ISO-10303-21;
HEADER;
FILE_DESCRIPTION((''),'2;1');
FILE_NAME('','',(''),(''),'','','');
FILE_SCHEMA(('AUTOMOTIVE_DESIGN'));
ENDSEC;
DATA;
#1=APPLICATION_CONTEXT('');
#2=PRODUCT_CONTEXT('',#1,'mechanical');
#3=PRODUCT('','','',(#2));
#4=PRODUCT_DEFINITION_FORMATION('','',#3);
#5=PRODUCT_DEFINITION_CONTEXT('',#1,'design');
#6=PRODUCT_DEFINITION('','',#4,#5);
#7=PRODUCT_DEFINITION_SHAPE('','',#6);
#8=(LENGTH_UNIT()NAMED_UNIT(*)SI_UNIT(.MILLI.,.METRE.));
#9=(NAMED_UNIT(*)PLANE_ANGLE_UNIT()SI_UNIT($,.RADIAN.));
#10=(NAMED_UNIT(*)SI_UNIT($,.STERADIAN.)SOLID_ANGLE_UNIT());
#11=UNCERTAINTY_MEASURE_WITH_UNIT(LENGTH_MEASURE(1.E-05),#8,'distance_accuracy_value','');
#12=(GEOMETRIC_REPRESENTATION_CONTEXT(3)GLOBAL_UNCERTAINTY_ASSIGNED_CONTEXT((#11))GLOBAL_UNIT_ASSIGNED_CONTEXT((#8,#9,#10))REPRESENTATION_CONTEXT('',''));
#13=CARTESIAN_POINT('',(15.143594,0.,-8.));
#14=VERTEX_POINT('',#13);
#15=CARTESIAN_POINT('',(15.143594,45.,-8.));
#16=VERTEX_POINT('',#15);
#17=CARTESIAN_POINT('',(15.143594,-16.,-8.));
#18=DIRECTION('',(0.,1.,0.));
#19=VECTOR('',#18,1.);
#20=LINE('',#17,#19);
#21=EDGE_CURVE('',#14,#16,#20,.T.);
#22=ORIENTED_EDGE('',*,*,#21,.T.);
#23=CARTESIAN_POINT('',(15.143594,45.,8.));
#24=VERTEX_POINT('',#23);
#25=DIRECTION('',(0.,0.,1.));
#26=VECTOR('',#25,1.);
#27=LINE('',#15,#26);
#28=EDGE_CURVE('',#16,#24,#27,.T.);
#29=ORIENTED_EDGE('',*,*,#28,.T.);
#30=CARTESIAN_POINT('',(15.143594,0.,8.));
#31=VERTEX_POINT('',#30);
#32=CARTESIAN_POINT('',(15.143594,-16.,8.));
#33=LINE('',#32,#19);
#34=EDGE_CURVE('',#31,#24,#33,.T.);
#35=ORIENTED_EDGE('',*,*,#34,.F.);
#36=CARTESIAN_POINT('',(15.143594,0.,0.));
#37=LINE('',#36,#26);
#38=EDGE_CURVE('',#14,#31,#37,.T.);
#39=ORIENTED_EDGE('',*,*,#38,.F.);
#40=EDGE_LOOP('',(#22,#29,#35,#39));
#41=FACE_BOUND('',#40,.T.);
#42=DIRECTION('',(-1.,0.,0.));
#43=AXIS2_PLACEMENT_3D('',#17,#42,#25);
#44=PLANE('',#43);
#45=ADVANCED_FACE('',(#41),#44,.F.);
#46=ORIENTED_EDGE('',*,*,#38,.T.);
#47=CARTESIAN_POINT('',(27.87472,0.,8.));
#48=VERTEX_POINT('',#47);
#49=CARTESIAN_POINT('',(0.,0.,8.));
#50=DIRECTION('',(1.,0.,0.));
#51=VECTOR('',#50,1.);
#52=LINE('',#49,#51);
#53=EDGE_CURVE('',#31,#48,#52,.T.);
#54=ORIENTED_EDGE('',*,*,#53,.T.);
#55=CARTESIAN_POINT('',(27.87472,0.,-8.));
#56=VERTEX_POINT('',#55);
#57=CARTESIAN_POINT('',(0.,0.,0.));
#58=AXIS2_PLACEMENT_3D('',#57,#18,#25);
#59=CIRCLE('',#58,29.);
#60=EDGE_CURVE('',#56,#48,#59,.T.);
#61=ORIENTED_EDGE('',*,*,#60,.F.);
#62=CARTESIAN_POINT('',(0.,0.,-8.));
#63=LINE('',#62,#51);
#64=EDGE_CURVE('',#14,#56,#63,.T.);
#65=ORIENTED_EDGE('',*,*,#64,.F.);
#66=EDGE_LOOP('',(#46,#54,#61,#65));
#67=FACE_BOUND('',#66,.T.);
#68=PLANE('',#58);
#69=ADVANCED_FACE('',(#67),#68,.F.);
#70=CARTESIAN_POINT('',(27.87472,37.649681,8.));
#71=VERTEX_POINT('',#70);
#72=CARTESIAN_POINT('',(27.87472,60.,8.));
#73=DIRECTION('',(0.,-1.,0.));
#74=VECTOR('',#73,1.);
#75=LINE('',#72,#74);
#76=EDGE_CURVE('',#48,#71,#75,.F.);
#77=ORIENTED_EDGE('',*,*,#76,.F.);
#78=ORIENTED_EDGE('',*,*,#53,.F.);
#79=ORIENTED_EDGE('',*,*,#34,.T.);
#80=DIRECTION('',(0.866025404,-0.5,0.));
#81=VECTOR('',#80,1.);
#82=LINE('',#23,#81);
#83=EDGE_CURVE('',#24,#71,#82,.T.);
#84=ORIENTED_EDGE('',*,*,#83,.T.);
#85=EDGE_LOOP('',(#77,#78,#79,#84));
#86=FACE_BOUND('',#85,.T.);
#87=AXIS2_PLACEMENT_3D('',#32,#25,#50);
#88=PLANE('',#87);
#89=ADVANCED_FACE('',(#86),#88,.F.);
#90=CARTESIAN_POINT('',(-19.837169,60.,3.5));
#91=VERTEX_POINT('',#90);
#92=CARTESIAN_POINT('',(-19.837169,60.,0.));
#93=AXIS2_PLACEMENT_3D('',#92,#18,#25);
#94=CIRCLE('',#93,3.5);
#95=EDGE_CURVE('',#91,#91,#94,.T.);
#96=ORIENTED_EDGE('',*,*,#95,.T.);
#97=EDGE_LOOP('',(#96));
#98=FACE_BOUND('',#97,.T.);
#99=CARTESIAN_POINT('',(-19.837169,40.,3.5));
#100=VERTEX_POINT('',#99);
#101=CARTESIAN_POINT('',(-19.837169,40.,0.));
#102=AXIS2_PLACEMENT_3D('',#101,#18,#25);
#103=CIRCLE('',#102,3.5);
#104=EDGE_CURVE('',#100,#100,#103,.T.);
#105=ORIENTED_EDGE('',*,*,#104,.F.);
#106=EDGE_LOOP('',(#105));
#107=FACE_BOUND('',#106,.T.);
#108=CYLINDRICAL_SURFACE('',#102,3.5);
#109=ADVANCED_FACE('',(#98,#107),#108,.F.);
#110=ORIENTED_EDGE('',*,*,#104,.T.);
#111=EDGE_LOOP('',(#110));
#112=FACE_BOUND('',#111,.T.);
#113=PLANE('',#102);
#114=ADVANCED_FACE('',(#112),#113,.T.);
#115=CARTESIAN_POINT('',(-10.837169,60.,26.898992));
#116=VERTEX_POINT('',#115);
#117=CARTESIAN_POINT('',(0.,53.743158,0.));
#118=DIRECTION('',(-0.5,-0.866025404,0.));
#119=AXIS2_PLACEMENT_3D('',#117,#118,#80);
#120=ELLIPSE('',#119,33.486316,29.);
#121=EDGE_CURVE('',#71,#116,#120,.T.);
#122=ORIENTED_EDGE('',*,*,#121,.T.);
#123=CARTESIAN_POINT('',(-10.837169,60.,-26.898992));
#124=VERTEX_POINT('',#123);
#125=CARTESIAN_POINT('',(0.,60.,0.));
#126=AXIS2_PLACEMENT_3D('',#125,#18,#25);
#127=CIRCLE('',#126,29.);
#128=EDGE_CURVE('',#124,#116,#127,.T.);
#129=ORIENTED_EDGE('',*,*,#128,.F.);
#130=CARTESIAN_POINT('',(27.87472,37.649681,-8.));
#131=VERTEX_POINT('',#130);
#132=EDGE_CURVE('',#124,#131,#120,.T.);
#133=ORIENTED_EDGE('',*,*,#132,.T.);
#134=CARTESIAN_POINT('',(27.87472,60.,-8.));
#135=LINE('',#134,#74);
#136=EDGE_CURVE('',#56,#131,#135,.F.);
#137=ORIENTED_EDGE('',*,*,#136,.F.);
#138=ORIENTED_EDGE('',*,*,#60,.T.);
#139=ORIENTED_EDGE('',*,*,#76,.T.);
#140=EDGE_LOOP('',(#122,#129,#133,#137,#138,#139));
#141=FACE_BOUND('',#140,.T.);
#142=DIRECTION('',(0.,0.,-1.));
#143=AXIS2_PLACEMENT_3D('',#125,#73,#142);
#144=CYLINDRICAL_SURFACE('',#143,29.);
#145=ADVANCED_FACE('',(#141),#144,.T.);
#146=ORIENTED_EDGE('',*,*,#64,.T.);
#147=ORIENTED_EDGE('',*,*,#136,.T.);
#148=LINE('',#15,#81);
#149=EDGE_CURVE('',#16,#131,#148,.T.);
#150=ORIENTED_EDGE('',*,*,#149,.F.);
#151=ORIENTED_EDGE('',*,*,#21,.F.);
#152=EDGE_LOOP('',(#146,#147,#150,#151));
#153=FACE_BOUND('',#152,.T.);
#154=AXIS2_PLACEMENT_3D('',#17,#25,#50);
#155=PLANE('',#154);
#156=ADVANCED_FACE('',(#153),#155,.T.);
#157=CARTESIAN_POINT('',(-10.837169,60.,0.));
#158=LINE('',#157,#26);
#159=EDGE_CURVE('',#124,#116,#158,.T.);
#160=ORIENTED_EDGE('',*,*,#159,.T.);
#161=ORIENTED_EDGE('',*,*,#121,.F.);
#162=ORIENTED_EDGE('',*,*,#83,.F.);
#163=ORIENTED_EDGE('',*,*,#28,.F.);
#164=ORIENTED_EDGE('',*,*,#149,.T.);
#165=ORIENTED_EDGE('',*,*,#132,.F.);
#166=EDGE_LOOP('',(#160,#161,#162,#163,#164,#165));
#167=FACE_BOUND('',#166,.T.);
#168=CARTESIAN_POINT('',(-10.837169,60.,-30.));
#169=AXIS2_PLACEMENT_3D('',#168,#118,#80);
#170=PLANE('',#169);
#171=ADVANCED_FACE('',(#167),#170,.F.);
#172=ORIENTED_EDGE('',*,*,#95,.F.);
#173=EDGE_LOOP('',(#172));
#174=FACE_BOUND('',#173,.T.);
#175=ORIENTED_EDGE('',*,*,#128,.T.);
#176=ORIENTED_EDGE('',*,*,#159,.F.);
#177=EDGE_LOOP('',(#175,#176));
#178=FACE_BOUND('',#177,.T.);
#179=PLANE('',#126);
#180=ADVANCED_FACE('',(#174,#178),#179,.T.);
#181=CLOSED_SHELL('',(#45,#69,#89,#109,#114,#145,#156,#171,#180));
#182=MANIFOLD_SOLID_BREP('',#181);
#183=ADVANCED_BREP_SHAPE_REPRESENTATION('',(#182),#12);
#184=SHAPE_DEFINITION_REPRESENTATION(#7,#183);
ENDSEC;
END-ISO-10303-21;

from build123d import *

# Parameters (mm, degrees)
SKETCH3_R           = 29
BOSS_EXTRUDE1_DEPTH = 60
CUT_EXTRUDE1_DEPTH  = 30
SKETCH8_R           = 3.5
CUT_EXTRUDE2_DEPTH  = 20
SKETCH15_W          = 16
SKETCH15_H          = 16
CUT_EXTRUDE4_DEPTH  = 61


with BuildPart() as part:
    # Sketch3 → Boss-Extrude1 (new body)
    with BuildSketch(Plane(origin=(0, 0, 0), x_dir=(1, 0, 0), z_dir=(0, 1, 0))):
        with Locations(Location((0, 0, 0), (0, 0, 270))):
            Circle(SKETCH3_R)
    extrude(amount=BOSS_EXTRUDE1_DEPTH)

    # Sketch6 → Cut-Extrude1 (cut, symmetric)
    with BuildSketch(Plane.XY):
        Polygon((-10.837168574, 60), (29, 37), (29, 60), align=None)
    extrude(amount=CUT_EXTRUDE1_DEPTH, both=True, mode=Mode.SUBTRACT)

    # Sketch8 → Cut-Extrude2 (cut)
    with BuildSketch(Plane(origin=(0, 60, 0), x_dir=(1, 0, 0), z_dir=(0, 1, 0))):
        with Locations(Location((-19.837168574, 0, 0), (0, 0, 270))):
            Circle(SKETCH8_R)
    extrude(amount=-CUT_EXTRUDE2_DEPTH, mode=Mode.SUBTRACT)

    # Sketch15 → Cut-Extrude4 (cut, along a direction that is not the sketch's normal)
    with BuildSketch(Plane(origin=(23.27146997, 40.307368355, 0), x_dir=(0.8660254037844416, -0.49999999999999484, 0), z_dir=(0.49999999999999484, 0.8660254037844416, 0))):
        with Locations((-1.38526329, 0)):
            Rectangle(SKETCH15_W, SKETCH15_H)
    extrude(amount=-CUT_EXTRUDE4_DEPTH, dir=(0, 1, 0), mode=Mode.SUBTRACT)


solid = part.part
